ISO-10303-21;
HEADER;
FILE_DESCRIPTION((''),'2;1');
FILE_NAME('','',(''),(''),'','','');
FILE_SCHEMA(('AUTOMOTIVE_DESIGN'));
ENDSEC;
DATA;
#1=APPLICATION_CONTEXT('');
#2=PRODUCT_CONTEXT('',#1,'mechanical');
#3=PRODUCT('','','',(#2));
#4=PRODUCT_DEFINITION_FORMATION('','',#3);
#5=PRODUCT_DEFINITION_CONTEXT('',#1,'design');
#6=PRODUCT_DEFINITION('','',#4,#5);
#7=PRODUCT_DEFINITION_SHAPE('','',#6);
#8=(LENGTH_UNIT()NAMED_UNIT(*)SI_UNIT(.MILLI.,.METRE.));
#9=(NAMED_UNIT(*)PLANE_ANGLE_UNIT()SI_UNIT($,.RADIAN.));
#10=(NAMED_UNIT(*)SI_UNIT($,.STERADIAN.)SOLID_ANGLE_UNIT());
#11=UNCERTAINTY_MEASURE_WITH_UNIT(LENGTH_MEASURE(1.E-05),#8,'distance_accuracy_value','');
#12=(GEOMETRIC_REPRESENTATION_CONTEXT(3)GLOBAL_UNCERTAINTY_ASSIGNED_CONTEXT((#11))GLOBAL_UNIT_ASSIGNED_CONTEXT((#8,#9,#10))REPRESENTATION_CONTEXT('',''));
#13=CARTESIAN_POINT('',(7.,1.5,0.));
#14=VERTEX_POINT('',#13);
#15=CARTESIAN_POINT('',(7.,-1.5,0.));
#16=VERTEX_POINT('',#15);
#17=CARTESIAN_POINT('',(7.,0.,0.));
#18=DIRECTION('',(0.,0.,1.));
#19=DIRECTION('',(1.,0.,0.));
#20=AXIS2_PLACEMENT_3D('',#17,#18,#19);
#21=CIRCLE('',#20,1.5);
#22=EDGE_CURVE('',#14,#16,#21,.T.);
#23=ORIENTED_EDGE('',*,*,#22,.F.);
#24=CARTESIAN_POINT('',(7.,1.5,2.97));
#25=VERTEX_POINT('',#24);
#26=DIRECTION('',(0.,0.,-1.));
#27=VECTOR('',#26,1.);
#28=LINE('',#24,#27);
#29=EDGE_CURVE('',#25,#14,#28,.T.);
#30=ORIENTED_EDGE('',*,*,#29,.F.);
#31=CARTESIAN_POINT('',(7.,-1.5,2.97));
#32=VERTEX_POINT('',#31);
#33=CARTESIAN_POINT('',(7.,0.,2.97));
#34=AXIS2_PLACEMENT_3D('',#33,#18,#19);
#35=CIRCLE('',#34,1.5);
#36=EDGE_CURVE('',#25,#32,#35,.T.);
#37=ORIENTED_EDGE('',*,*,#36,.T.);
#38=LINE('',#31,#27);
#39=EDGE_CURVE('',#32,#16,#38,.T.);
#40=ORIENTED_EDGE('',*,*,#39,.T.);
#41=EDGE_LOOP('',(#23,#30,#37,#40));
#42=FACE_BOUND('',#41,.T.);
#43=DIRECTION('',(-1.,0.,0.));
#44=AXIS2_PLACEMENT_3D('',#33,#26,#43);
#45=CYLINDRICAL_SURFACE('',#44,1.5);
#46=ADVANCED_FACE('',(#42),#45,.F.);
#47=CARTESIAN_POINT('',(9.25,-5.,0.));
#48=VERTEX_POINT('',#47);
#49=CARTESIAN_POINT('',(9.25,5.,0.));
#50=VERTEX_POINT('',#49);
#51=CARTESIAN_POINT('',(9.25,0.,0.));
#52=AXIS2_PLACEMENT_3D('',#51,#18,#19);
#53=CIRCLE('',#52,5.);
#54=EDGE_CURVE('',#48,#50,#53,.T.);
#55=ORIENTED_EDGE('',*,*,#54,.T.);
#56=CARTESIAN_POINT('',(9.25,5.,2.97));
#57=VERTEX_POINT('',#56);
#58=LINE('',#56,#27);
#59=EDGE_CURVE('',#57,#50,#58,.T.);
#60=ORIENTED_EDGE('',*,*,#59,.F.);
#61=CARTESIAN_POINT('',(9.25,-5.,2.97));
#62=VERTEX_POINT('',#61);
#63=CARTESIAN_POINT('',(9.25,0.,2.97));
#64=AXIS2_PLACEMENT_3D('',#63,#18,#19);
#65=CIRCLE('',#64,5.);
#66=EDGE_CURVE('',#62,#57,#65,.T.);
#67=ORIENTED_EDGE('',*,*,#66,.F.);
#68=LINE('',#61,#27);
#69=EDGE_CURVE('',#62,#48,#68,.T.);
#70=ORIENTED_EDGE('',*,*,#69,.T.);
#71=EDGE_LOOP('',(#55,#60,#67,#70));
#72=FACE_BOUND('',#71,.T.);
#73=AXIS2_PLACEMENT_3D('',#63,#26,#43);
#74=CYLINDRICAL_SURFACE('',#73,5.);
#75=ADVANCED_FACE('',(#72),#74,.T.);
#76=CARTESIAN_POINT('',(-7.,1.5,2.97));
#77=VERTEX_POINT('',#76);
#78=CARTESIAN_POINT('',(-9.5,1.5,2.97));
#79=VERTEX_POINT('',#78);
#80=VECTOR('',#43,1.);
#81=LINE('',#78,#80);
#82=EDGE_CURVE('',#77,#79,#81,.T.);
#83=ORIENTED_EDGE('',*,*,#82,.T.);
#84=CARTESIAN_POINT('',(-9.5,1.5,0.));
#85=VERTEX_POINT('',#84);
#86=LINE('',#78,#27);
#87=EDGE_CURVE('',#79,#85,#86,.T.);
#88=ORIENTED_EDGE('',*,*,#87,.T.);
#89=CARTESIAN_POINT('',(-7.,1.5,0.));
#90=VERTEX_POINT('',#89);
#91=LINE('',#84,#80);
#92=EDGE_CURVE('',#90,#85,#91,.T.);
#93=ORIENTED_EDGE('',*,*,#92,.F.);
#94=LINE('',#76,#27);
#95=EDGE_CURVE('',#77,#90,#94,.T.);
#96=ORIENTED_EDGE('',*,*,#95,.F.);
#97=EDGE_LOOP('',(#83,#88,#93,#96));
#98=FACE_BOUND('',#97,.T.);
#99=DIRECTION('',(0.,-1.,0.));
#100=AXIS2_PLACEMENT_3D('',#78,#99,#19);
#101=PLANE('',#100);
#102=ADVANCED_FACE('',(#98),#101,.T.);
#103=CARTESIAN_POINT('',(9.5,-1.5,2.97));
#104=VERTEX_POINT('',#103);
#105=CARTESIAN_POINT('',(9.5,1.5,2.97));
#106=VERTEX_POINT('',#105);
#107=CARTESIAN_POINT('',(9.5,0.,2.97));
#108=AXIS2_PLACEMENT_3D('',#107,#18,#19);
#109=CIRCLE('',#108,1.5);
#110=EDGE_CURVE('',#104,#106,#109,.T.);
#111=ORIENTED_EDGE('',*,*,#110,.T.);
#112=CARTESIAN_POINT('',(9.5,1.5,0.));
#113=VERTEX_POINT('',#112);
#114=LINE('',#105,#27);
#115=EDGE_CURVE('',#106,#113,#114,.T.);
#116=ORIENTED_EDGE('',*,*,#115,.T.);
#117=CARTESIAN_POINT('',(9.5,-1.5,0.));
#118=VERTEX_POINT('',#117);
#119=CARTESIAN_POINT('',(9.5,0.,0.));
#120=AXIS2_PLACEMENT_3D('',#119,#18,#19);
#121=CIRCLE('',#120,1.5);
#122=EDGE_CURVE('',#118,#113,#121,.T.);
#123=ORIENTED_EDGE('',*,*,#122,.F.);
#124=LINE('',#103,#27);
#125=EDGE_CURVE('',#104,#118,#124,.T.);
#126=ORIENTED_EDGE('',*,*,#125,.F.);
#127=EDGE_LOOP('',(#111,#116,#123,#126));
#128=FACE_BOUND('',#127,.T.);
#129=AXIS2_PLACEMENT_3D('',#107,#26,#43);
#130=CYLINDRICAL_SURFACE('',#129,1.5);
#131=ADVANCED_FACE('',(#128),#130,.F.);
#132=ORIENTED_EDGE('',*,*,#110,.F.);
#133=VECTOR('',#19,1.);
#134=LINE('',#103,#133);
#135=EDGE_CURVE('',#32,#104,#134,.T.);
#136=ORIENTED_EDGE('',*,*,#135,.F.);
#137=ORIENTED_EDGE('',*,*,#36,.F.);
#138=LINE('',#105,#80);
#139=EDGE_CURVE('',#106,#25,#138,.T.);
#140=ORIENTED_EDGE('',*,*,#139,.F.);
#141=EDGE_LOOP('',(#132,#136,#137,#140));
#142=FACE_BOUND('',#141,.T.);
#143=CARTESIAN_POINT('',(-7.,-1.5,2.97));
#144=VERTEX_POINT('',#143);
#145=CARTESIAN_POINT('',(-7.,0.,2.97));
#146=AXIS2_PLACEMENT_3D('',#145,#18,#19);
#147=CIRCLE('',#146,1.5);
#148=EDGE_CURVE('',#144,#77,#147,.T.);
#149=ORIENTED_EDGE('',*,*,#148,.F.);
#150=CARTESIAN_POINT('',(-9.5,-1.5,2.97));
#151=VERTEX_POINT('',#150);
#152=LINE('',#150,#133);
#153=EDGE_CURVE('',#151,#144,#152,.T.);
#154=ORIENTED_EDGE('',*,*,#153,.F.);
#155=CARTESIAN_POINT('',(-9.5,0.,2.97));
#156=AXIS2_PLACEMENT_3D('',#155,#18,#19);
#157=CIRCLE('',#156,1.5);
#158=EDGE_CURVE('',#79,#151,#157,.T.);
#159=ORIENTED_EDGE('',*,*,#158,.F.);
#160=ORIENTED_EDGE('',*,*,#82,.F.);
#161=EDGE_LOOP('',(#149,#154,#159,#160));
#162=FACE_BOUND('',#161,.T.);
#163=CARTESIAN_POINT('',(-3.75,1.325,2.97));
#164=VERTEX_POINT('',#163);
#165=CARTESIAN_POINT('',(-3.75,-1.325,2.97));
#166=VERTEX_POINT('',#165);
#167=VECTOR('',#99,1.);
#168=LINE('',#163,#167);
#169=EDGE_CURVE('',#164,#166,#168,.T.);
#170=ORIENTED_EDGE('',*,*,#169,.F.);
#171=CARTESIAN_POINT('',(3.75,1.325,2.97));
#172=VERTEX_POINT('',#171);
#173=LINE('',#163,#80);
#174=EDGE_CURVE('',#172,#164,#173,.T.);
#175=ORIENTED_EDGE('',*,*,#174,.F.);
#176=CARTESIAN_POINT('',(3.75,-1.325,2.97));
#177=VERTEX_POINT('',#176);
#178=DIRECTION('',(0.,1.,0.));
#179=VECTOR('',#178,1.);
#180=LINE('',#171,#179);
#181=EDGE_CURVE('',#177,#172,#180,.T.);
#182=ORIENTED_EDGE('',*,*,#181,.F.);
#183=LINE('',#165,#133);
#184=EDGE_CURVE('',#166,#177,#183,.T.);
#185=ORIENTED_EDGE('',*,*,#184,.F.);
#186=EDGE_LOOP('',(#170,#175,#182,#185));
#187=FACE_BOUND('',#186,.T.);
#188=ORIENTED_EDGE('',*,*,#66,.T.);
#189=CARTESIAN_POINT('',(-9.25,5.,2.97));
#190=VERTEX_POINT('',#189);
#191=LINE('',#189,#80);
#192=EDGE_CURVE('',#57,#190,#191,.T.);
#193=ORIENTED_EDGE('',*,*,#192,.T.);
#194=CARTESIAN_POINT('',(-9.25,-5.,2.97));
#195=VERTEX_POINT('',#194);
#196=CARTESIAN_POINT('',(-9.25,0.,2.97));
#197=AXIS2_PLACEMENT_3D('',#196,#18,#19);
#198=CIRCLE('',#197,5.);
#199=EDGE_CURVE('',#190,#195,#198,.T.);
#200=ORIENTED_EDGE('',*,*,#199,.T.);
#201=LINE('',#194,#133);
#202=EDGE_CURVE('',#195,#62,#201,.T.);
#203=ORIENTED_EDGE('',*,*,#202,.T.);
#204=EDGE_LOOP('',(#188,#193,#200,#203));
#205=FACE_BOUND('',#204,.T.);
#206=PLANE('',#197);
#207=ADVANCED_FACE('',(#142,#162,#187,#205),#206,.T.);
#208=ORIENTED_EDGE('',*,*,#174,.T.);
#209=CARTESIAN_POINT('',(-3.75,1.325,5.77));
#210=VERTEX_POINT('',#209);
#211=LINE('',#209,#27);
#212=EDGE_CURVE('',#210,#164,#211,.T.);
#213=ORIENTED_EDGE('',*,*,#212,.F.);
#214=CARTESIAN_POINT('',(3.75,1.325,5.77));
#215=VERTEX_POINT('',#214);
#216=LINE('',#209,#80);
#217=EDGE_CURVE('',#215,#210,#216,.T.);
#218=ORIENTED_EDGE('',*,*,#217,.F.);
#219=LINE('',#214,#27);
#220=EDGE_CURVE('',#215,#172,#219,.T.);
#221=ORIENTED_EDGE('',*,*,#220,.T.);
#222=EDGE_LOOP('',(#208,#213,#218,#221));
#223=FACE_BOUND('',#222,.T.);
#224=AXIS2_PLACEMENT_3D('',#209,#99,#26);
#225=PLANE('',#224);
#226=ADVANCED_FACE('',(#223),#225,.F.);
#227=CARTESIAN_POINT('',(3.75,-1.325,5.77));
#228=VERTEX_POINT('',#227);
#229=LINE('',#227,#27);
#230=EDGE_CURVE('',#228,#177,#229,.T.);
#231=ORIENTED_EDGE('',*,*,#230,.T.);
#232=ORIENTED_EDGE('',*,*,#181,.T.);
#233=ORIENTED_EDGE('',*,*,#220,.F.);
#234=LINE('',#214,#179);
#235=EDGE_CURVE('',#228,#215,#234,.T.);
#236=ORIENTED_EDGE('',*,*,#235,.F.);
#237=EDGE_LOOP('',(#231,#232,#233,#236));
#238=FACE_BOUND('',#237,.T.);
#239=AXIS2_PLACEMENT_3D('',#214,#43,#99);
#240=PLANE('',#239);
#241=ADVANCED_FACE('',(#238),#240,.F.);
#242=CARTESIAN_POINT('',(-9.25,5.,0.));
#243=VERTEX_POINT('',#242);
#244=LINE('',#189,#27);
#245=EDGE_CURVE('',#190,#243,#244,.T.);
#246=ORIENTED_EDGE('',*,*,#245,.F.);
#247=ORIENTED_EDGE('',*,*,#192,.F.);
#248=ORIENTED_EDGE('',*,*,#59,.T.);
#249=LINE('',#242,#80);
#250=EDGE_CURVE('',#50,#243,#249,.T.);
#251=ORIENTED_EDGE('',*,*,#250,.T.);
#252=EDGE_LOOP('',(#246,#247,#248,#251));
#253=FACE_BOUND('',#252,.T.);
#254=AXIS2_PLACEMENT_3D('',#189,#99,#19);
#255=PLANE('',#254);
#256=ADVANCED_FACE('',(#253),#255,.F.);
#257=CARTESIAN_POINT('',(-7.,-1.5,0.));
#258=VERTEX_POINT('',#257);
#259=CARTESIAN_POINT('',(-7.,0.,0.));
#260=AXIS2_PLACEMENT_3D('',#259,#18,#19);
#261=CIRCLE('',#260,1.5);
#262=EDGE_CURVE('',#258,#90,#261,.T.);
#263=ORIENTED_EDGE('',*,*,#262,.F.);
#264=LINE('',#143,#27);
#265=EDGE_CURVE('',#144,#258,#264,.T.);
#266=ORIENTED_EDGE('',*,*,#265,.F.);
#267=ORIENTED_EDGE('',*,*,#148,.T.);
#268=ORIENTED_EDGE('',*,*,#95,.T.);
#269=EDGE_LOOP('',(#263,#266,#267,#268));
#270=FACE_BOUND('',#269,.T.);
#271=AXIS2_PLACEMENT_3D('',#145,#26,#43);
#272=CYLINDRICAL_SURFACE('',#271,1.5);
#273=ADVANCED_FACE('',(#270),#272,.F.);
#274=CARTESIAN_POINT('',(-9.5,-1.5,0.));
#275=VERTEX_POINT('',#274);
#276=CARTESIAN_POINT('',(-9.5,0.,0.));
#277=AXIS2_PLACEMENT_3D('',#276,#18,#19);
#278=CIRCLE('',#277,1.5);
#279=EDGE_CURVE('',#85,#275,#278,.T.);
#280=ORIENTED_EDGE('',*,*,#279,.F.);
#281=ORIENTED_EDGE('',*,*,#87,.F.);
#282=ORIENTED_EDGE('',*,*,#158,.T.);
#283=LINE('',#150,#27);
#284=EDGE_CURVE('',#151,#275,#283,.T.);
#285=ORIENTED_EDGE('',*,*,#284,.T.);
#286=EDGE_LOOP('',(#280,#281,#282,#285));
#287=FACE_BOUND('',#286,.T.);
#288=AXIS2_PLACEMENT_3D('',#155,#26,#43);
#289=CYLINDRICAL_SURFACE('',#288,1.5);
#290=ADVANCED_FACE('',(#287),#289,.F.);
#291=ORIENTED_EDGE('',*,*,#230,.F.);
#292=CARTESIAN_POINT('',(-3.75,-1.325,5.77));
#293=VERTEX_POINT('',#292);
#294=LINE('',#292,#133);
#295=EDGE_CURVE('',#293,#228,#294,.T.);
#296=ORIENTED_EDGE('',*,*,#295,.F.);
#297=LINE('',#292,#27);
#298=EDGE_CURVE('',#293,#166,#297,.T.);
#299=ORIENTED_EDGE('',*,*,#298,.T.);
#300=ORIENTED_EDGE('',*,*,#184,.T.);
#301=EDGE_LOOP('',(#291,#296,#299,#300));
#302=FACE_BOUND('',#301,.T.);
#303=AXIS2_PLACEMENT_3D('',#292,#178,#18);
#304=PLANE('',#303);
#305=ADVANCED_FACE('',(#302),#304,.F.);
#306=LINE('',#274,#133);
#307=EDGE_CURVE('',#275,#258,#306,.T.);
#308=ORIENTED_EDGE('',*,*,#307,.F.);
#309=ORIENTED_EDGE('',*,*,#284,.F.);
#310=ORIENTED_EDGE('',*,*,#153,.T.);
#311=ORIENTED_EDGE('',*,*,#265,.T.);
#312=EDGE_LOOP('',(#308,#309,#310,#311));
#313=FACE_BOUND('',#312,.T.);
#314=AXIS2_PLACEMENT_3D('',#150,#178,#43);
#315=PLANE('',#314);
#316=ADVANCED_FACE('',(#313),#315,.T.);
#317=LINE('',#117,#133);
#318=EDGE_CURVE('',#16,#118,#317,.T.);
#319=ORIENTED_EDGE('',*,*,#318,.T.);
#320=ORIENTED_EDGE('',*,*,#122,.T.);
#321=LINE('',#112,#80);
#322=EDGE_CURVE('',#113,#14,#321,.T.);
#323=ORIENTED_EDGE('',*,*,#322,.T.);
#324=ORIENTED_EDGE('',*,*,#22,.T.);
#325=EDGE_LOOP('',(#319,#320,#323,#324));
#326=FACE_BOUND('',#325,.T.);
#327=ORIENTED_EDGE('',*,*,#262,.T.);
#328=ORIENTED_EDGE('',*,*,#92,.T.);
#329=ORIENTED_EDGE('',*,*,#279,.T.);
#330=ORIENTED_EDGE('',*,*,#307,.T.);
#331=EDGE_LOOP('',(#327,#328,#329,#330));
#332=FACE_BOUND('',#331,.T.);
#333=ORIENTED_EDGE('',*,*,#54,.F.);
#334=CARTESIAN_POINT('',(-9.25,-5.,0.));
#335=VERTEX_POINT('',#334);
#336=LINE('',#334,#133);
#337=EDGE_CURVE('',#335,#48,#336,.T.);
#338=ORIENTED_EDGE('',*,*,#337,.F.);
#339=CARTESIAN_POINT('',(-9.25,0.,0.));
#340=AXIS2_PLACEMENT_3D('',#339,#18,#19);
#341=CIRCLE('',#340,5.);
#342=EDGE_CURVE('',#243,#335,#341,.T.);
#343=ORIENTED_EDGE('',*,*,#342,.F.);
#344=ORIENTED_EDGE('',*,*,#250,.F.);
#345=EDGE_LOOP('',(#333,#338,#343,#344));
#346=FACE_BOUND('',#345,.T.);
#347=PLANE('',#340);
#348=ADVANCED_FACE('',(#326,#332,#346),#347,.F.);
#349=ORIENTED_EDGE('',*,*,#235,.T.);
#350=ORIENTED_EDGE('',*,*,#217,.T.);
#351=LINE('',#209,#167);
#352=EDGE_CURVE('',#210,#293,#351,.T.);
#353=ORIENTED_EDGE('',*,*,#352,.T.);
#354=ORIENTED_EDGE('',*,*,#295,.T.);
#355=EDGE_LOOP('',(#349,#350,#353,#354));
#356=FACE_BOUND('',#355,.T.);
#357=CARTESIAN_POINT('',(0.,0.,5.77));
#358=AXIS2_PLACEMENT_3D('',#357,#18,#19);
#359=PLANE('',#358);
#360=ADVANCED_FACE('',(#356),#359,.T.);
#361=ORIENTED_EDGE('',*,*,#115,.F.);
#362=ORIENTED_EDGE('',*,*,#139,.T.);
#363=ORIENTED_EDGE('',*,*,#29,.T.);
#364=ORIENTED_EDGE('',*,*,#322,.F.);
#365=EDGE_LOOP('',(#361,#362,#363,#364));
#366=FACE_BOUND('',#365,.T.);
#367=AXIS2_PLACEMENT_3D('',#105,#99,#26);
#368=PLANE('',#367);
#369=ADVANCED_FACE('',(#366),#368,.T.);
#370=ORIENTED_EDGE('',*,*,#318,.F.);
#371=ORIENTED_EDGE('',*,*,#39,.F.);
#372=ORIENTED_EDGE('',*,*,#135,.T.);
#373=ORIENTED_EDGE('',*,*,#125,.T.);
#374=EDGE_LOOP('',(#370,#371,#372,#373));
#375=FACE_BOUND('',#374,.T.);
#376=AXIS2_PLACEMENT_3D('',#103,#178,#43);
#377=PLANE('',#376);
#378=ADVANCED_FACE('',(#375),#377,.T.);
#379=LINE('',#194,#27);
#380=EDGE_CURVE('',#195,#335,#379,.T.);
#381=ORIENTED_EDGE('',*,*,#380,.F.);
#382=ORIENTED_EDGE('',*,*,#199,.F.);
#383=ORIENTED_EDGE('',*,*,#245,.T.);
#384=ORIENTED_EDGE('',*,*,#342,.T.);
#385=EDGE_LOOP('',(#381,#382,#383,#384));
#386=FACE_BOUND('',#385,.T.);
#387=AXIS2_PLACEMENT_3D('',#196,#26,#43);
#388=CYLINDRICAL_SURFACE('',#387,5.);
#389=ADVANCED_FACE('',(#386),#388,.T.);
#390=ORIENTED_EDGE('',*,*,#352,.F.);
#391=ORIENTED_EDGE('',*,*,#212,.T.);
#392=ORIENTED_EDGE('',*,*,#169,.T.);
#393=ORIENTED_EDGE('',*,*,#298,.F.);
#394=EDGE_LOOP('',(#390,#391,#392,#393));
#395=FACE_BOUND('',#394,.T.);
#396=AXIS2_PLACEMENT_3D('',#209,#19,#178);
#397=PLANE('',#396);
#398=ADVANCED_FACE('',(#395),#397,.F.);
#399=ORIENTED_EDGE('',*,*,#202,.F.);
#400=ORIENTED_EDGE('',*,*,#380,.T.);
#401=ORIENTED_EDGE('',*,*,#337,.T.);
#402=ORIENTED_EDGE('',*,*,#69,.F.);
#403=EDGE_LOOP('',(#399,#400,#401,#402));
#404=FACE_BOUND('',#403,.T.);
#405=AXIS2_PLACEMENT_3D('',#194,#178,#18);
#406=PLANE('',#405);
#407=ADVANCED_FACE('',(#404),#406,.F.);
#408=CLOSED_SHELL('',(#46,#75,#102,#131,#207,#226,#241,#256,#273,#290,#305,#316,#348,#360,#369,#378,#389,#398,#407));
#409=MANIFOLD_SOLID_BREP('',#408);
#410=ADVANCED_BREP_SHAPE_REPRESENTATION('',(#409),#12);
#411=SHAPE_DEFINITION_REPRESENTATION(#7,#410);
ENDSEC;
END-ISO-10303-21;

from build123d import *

# Parameters (mm, degrees)
BOSS_EXTRUDE2_DEPTH = 2.97
SKETCH5_W           = 7.5
SKETCH5_H           = 2.65
BOSS_EXTRUDE3_DEPTH = 2.8


with BuildPart() as part:
    # Sketch3 → Boss-Extrude2 (new body)
    with BuildSketch(Plane.XY):
        with BuildLine():
            Line((-9.25, 5), (9.25, 5))
            ThreePointArc((9.25, 5), (14.25, 0), (9.25, -5))
            Line((9.25, -5), (-9.25, -5))
            ThreePointArc((-9.25, -5), (-14.25, 0), (-9.25, 5))
        make_face()
        with BuildLine():
            Line((-9.5, 1.5), (-7, 1.5))
            ThreePointArc((-7, 1.5), (-5.5, 0), (-7, -1.5))
            Line((-7, -1.5), (-9.5, -1.5))
            ThreePointArc((-9.5, -1.5), (-11, 0), (-9.5, 1.5))
        make_face(mode=Mode.SUBTRACT)
        with BuildLine():
            Line((9.5, -1.5), (7, -1.5))
            ThreePointArc((7, -1.5), (5.5, 0), (7, 1.5))
            Line((7, 1.5), (9.5, 1.5))
            ThreePointArc((9.5, 1.5), (11, 0), (9.5, -1.5))
        make_face(mode=Mode.SUBTRACT)
    extrude(amount=BOSS_EXTRUDE2_DEPTH)

    # Sketch5 → Boss-Extrude3 (add)
    with BuildSketch(Plane.XY.offset(2.97)):
        Rectangle(SKETCH5_W, SKETCH5_H)
    extrude(amount=BOSS_EXTRUDE3_DEPTH)


solid = part.part
